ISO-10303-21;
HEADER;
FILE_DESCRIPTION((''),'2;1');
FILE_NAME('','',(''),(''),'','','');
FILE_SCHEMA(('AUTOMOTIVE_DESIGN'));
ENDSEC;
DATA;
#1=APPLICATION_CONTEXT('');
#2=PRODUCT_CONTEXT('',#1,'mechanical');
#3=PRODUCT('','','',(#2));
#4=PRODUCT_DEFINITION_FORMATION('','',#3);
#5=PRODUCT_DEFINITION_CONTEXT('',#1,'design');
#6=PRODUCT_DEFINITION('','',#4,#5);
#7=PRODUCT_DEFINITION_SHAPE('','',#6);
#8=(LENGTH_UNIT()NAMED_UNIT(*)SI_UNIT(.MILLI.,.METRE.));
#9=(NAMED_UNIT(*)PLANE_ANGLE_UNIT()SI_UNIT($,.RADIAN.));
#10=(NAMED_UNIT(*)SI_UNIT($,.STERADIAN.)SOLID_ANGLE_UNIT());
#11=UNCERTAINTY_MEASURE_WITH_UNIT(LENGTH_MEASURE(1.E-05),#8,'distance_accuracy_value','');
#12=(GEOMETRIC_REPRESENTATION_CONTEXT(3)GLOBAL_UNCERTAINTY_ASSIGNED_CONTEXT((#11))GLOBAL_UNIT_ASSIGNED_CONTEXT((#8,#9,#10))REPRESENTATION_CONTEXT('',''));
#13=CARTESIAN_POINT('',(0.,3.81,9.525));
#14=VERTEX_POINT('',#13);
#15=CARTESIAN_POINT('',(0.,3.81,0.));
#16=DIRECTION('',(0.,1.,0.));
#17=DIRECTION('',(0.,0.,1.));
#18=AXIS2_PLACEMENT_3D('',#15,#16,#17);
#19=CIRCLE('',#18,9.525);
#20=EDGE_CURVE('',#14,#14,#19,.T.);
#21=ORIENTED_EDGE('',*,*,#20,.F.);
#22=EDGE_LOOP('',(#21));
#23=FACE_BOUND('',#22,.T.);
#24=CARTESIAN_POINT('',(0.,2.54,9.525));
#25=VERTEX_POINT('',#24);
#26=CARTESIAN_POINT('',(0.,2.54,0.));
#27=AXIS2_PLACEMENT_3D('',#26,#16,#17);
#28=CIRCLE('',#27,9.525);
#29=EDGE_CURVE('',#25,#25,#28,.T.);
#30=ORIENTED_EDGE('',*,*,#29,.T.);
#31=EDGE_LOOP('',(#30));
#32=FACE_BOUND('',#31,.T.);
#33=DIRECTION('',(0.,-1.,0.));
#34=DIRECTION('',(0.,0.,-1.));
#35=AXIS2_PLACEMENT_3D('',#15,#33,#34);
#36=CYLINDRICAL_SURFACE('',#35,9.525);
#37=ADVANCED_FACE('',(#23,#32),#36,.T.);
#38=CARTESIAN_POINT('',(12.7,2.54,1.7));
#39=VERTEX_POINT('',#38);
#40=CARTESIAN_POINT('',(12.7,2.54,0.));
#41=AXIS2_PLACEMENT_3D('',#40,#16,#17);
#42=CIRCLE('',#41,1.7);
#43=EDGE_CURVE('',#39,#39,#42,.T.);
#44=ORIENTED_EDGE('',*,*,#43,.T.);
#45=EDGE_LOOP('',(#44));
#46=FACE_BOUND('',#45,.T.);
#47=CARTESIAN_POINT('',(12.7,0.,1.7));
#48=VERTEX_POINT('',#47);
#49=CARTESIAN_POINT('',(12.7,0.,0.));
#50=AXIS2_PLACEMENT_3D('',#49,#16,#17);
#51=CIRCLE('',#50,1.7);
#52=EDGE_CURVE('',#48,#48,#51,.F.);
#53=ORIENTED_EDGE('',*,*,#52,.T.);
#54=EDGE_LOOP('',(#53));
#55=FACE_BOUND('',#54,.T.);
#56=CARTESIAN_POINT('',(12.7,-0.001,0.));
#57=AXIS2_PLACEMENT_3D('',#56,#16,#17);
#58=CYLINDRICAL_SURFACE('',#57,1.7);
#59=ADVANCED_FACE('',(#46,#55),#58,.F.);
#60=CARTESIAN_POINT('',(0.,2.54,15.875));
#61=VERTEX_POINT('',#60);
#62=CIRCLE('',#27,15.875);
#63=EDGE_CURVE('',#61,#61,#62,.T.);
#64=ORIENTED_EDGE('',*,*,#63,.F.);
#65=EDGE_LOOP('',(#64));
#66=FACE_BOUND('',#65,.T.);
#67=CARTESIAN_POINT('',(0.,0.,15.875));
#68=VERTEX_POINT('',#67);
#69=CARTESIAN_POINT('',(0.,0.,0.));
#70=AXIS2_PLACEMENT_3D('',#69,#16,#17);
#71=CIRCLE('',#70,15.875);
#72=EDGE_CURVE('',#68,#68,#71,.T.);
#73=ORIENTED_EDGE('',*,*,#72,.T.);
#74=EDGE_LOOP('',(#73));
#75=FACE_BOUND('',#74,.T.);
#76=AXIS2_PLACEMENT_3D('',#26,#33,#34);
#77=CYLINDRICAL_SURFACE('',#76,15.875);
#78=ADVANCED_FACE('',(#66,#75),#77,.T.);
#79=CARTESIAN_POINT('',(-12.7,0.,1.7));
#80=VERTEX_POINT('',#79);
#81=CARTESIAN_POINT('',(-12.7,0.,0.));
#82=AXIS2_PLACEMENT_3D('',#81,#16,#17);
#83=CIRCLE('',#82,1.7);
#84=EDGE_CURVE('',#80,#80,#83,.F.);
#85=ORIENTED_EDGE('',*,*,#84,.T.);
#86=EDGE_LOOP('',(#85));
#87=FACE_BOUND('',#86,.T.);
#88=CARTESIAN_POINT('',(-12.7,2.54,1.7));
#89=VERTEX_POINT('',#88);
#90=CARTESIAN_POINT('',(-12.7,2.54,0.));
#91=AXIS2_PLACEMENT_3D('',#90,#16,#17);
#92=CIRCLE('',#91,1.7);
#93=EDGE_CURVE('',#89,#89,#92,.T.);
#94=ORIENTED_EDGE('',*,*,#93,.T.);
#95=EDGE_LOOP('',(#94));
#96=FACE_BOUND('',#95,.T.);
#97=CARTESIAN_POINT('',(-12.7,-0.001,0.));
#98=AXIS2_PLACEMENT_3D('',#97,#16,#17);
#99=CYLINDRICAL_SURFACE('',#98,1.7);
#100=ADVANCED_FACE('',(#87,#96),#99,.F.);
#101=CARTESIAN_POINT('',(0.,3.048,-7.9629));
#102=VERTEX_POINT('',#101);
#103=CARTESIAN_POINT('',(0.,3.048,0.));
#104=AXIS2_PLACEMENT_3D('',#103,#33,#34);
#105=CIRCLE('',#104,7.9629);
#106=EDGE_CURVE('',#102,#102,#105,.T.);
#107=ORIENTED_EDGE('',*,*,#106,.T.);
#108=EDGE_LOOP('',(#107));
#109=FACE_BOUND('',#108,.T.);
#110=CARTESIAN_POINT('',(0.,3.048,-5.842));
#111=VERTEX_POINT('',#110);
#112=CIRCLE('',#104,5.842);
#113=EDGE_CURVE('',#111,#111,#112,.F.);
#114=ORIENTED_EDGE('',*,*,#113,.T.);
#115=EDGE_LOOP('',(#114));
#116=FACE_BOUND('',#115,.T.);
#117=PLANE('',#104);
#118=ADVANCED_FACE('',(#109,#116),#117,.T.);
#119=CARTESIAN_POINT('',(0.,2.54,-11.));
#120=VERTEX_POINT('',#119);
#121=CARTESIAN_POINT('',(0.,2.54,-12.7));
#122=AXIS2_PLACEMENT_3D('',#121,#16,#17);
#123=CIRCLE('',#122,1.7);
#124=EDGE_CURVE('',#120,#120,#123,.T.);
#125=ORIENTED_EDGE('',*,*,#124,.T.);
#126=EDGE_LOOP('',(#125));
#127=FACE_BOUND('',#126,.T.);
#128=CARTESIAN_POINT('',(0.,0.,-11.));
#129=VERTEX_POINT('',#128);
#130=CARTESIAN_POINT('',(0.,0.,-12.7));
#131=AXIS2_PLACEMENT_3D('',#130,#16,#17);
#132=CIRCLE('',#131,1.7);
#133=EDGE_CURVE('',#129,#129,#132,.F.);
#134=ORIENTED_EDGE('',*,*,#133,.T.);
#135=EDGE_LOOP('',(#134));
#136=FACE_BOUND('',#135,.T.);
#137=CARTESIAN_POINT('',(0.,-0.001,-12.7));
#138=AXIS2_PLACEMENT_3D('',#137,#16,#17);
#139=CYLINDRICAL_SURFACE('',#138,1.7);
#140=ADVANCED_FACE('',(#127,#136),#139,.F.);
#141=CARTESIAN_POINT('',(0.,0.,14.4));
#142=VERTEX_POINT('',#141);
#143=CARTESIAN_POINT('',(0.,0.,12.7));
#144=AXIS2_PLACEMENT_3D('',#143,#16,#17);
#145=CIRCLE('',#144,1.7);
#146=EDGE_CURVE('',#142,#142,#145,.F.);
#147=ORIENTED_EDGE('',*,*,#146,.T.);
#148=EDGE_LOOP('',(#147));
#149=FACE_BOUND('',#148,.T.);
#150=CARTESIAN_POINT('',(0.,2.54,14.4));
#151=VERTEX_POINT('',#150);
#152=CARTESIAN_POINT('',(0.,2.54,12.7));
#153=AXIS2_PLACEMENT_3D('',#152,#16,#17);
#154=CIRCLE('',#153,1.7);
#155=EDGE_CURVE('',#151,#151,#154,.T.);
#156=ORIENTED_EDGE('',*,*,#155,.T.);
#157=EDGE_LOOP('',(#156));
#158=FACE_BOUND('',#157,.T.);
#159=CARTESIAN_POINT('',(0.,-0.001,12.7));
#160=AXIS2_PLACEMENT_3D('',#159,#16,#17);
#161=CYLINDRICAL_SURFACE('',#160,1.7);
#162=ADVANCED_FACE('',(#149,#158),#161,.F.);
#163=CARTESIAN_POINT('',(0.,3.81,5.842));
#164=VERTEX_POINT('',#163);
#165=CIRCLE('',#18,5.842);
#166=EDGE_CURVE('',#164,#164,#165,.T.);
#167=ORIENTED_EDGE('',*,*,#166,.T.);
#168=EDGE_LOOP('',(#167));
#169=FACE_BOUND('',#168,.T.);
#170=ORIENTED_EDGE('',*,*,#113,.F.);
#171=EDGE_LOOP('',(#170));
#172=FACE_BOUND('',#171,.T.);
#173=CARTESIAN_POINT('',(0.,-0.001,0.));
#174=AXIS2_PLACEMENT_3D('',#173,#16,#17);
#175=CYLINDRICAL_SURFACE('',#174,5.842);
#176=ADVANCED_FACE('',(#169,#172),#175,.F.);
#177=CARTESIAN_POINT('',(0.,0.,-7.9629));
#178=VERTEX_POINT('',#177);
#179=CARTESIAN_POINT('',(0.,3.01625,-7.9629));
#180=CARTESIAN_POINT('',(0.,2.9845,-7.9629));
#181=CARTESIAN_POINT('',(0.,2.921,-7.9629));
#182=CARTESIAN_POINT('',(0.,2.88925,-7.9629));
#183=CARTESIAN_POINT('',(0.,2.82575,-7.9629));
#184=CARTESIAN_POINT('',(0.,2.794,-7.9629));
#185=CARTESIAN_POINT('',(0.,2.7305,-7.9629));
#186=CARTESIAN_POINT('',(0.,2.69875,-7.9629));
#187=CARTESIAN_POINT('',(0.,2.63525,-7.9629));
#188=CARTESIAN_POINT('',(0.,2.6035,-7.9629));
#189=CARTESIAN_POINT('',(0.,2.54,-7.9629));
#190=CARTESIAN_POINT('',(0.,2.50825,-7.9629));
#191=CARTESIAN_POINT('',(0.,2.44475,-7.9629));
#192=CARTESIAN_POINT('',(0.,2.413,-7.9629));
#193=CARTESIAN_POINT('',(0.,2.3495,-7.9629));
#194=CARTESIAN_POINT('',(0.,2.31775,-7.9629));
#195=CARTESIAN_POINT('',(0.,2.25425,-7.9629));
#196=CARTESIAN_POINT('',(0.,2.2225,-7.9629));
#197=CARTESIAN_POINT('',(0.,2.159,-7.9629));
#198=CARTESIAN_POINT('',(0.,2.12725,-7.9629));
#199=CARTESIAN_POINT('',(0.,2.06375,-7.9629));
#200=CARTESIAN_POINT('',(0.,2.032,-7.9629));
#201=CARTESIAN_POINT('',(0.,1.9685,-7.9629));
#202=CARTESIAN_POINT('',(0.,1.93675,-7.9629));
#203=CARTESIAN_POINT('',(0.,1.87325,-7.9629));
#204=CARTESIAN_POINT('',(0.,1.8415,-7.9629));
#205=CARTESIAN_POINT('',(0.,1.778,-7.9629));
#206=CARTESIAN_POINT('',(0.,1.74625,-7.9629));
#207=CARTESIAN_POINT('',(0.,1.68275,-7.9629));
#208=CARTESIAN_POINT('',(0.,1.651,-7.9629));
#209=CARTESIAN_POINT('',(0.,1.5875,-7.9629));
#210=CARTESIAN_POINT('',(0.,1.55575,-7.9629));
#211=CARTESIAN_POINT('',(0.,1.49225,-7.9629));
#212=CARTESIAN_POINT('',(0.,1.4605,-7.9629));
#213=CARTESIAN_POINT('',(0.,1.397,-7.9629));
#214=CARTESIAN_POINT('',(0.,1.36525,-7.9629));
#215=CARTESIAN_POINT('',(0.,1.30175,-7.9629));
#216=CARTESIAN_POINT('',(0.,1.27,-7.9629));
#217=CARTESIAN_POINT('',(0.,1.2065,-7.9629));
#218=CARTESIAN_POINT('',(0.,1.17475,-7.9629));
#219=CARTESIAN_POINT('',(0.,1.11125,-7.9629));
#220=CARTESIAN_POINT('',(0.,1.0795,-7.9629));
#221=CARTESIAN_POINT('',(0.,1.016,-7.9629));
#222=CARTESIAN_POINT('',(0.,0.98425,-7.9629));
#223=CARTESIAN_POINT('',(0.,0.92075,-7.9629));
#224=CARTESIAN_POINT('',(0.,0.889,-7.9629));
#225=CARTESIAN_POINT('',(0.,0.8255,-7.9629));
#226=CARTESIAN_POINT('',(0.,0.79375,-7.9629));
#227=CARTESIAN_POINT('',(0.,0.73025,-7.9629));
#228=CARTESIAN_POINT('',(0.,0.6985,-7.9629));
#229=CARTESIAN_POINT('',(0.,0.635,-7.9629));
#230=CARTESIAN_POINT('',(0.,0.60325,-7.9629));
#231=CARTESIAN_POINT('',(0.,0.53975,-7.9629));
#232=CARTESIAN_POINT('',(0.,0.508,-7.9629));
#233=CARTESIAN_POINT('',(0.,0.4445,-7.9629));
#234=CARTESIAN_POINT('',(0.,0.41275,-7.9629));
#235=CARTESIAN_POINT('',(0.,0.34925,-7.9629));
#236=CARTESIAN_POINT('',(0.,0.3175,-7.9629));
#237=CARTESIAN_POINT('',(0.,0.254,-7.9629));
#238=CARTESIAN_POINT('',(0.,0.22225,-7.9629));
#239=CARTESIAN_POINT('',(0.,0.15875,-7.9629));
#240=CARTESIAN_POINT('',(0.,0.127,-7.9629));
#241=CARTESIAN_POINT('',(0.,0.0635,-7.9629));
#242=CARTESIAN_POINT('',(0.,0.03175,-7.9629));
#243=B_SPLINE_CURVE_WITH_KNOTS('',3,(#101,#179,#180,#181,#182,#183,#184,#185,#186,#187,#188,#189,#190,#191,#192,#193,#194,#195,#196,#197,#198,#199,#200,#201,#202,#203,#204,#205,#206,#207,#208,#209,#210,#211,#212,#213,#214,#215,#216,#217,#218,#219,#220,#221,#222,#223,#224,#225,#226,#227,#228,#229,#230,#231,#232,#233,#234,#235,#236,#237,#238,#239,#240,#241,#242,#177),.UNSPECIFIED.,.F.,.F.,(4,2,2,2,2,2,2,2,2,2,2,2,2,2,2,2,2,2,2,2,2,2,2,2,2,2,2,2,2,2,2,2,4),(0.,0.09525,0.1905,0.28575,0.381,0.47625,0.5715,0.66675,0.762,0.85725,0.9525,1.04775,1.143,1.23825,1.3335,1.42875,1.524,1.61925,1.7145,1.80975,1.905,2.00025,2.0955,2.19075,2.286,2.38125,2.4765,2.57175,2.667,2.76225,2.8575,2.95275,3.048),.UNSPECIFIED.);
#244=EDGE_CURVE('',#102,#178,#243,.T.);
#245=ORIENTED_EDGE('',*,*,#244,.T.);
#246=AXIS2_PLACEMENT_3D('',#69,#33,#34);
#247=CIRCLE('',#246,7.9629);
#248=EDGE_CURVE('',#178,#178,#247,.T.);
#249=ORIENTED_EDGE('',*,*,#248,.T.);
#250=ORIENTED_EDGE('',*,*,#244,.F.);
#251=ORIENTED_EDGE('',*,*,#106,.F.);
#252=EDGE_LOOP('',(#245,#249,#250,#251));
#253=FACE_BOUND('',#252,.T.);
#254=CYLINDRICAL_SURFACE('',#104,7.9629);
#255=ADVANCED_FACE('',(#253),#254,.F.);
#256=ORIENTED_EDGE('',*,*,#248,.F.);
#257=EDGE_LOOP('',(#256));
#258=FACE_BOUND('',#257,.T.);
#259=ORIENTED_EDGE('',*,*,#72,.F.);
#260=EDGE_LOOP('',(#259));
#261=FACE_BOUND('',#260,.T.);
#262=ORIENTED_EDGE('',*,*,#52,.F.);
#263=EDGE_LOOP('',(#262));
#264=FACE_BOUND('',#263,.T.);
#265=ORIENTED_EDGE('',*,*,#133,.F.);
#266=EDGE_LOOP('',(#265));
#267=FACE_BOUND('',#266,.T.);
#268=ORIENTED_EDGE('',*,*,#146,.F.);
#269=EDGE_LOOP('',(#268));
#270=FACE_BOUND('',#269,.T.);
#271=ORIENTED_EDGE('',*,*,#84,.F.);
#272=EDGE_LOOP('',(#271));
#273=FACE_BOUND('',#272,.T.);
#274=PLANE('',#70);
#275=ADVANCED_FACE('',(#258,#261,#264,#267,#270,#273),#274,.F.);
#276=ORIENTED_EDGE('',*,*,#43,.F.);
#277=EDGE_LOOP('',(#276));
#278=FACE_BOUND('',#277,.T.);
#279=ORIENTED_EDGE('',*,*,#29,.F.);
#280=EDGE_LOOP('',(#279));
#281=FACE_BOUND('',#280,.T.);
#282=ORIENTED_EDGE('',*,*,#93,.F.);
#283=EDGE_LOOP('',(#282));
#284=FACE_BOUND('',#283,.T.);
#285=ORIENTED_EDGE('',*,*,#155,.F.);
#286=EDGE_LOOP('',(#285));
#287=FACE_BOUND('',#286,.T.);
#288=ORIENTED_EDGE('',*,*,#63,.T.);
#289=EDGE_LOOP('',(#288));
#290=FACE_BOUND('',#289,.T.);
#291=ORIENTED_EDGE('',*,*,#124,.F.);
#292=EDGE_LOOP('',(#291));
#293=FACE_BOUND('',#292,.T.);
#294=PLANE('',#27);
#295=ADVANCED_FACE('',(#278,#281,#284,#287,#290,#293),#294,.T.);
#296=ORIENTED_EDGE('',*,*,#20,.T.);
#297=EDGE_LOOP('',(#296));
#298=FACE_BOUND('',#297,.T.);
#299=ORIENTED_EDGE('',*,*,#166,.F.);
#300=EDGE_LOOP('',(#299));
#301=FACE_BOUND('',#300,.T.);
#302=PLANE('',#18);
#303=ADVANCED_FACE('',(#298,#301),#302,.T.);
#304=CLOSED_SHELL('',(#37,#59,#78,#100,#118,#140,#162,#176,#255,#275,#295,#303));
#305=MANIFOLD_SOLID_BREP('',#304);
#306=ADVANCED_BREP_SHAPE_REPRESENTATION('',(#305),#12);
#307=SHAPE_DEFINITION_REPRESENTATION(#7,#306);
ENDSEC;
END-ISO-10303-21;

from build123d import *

# Parameters (mm, degrees)
SKETCH1_R           = 15.875
BOSS_EXTRUDE1_DEPTH = 2.54
SKETCH2_R           = 9.525
BOSS_EXTRUDE2_DEPTH = 1.27
SKETCH3_R           = 7.9629
CUT_EXTRUDE1_DEPTH  = 3.048
CUT_EXTRUDE2_REACH  = 24.772
SKETCH4_R           = 5.842
CUT_EXTRUDE3_REACH  = 24.594
SKETCH5_R           = 1.7


with BuildPart() as part:
    # Sketch1 → Boss-Extrude1 (new body)
    with BuildSketch(Plane(origin=(0, 0, 0), x_dir=(1, 0, 0), z_dir=(0, 1, 0))):
        with Locations(Location((0, 0, 0), (0, 0, 270))):
            Circle(SKETCH1_R)
    extrude(amount=BOSS_EXTRUDE1_DEPTH)

    # Sketch2 → Boss-Extrude2 (add)
    with BuildSketch(Plane(origin=(0, 2.54, 0), x_dir=(1, 0, 0), z_dir=(0, 1, 0))):
        with Locations(Location((0, 0, 0), (0, 0, 270))):
            Circle(SKETCH2_R)
    extrude(amount=BOSS_EXTRUDE2_DEPTH)

    # Sketch3 → Cut-Extrude1 (cut)
    with BuildSketch(Plane.XZ):
        with Locations(Location((0, 0, 0), (0, 0, 270))):
            Circle(SKETCH3_R)
    extrude(amount=-CUT_EXTRUDE1_DEPTH, mode=Mode.SUBTRACT)

    # Sketch4 → Cut-Extrude2 (cut, up to next)
    with BuildSketch(Plane(origin=(0, 3.81, 0), x_dir=(1, 0, 0), z_dir=(0, 1, 0)), mode=Mode.PRIVATE) as cut_extrude2_sk1:
        with Locations(Location((0, 0, 0), (0, 0, 270))):
            Circle(SKETCH4_R)
    cut_extrude2_tool1 = extrude(cut_extrude2_sk1.sketch, amount=-CUT_EXTRUDE2_REACH, mode=Mode.PRIVATE) & part.part
    add(cut_extrude2_tool1.solids().sort_by_distance((0, 3.81, 0))[0], mode=Mode.SUBTRACT)

    # Sketch5 → Cut-Extrude3 (cut, up to next)
    with BuildSketch(Plane(origin=(0, 2.54, 0), x_dir=(1, 0, 0), z_dir=(0, 1, 0)), mode=Mode.PRIVATE) as cut_extrude3_sk1:
        with Locations(Location((0, 12.7, 0), (0, 0, 270))):
            Circle(SKETCH5_R)
    cut_extrude3_tool1 = extrude(cut_extrude3_sk1.sketch, amount=-CUT_EXTRUDE3_REACH, mode=Mode.PRIVATE) & part.part
    # Sketch5 → Cut-Extrude3 (cut, up to next)
    with BuildSketch(Plane(origin=(0, 2.54, 0), x_dir=(1, 0, 0), z_dir=(0, 1, 0)), mode=Mode.PRIVATE) as cut_extrude3_sk2:
        with Locations(Location((12.7, 0, 0), (0, 0, 270))):
            Circle(SKETCH5_R)
    cut_extrude3_tool2 = extrude(cut_extrude3_sk2.sketch, amount=-CUT_EXTRUDE3_REACH, mode=Mode.PRIVATE) & part.part
    # Sketch5 → Cut-Extrude3 (cut, up to next)
    with BuildSketch(Plane(origin=(0, 2.54, 0), x_dir=(1, 0, 0), z_dir=(0, 1, 0)), mode=Mode.PRIVATE) as cut_extrude3_sk3:
        with Locations(Location((0, -12.7, 0), (0, 0, 270))):
            Circle(SKETCH5_R)
    cut_extrude3_tool3 = extrude(cut_extrude3_sk3.sketch, amount=-CUT_EXTRUDE3_REACH, mode=Mode.PRIVATE) & part.part
    # Sketch5 → Cut-Extrude3 (cut, up to next)
    with BuildSketch(Plane(origin=(0, 2.54, 0), x_dir=(1, 0, 0), z_dir=(0, 1, 0)), mode=Mode.PRIVATE) as cut_extrude3_sk4:
        with Locations(Location((-12.7, 0, 0), (0, 0, 270))):
            Circle(SKETCH5_R)
    cut_extrude3_tool4 = extrude(cut_extrude3_sk4.sketch, amount=-CUT_EXTRUDE3_REACH, mode=Mode.PRIVATE) & part.part
    add(cut_extrude3_tool1.solids().sort_by_distance((0, 2.54, -12.7))[0], mode=Mode.SUBTRACT)
    add(cut_extrude3_tool2.solids().sort_by_distance((12.7, 2.54, 0))[0], mode=Mode.SUBTRACT)
    add(cut_extrude3_tool3.solids().sort_by_distance((0, 2.54, 12.7))[0], mode=Mode.SUBTRACT)
    add(cut_extrude3_tool4.solids().sort_by_distance((-12.7, 2.54, 0))[0], mode=Mode.SUBTRACT)


solid = part.part
